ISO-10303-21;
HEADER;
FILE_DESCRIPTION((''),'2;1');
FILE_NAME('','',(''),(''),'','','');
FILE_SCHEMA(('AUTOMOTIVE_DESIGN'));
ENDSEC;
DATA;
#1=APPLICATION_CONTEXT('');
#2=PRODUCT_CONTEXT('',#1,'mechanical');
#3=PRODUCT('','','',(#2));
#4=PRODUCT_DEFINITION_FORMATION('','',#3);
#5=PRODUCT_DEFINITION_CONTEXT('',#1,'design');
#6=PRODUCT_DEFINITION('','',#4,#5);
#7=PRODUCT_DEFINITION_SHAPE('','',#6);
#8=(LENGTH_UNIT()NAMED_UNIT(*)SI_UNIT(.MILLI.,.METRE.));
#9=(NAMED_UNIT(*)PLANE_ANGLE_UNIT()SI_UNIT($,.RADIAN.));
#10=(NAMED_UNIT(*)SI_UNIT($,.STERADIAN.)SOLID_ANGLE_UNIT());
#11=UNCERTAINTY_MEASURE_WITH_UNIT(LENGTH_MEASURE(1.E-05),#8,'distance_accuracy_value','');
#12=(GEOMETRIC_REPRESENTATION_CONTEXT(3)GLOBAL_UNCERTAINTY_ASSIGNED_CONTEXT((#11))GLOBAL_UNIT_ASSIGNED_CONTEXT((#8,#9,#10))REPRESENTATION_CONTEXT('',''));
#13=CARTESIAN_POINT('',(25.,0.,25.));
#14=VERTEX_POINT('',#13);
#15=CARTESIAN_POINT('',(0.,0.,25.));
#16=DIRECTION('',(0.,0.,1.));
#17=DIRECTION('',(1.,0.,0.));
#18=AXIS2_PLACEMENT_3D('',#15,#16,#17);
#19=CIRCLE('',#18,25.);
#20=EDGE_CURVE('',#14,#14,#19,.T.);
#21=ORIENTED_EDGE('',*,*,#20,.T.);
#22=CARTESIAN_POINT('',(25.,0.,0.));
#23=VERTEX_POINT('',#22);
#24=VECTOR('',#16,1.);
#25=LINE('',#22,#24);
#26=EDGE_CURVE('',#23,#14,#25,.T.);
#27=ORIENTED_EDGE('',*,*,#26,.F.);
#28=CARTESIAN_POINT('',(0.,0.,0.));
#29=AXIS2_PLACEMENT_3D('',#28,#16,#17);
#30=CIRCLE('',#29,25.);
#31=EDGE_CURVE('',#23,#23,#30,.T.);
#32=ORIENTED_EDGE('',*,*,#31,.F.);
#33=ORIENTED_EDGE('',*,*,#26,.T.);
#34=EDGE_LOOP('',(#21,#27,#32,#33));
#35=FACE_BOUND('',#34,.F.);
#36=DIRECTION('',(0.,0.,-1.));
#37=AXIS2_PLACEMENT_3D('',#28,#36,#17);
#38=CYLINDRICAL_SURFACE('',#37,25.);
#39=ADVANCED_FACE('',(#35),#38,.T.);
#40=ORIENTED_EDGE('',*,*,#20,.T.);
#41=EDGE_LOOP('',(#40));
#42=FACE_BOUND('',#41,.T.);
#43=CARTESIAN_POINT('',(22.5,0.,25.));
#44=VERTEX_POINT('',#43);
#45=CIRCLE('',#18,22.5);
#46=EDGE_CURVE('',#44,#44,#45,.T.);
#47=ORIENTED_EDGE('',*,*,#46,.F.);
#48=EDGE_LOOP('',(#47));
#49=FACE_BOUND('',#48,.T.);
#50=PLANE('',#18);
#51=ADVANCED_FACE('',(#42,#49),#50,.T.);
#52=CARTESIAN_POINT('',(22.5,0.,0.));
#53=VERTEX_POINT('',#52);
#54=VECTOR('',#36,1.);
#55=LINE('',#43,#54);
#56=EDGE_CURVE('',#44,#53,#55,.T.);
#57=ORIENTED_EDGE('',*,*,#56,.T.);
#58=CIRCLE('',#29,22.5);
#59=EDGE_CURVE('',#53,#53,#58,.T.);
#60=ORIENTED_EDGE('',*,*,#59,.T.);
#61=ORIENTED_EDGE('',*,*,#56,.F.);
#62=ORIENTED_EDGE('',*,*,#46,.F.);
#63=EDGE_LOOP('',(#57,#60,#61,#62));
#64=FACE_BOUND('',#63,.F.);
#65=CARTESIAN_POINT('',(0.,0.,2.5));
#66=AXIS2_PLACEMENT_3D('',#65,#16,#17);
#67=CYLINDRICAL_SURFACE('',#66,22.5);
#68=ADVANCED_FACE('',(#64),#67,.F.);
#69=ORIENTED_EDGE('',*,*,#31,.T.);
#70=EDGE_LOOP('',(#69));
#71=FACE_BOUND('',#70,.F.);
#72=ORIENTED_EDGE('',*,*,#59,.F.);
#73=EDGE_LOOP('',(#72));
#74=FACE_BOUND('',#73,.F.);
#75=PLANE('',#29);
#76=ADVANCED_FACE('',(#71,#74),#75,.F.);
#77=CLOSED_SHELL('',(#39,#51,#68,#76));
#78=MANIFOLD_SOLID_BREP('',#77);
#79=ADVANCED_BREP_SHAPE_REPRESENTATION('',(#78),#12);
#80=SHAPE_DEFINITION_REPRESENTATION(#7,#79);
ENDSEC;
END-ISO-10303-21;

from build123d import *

# Parameters (mm, degrees)
F0_R     = 25
F1_DEPTH = 25
F2_T     = -2.5
F3_R     = 22.5
F4_DEPTH = 2.5


with BuildPart() as f1:
    # F0 (on Top) → F1 (new body)
    with BuildSketch(Plane.XY):
        Circle(F0_R)
    extrude(amount=F1_DEPTH)

    # F2
    f2_openings = [f1.faces().sort_by_distance(p)[0] for p in [
        (0, 0, 25),
    ]]
    offset(amount=F2_T, openings=f2_openings)

    # F3 (on face) → F4 (cut)
    with BuildSketch(Plane.XY.offset(2.5)):
        Circle(F3_R)
    extrude(amount=-F4_DEPTH, mode=Mode.SUBTRACT)


solid = f1.part
